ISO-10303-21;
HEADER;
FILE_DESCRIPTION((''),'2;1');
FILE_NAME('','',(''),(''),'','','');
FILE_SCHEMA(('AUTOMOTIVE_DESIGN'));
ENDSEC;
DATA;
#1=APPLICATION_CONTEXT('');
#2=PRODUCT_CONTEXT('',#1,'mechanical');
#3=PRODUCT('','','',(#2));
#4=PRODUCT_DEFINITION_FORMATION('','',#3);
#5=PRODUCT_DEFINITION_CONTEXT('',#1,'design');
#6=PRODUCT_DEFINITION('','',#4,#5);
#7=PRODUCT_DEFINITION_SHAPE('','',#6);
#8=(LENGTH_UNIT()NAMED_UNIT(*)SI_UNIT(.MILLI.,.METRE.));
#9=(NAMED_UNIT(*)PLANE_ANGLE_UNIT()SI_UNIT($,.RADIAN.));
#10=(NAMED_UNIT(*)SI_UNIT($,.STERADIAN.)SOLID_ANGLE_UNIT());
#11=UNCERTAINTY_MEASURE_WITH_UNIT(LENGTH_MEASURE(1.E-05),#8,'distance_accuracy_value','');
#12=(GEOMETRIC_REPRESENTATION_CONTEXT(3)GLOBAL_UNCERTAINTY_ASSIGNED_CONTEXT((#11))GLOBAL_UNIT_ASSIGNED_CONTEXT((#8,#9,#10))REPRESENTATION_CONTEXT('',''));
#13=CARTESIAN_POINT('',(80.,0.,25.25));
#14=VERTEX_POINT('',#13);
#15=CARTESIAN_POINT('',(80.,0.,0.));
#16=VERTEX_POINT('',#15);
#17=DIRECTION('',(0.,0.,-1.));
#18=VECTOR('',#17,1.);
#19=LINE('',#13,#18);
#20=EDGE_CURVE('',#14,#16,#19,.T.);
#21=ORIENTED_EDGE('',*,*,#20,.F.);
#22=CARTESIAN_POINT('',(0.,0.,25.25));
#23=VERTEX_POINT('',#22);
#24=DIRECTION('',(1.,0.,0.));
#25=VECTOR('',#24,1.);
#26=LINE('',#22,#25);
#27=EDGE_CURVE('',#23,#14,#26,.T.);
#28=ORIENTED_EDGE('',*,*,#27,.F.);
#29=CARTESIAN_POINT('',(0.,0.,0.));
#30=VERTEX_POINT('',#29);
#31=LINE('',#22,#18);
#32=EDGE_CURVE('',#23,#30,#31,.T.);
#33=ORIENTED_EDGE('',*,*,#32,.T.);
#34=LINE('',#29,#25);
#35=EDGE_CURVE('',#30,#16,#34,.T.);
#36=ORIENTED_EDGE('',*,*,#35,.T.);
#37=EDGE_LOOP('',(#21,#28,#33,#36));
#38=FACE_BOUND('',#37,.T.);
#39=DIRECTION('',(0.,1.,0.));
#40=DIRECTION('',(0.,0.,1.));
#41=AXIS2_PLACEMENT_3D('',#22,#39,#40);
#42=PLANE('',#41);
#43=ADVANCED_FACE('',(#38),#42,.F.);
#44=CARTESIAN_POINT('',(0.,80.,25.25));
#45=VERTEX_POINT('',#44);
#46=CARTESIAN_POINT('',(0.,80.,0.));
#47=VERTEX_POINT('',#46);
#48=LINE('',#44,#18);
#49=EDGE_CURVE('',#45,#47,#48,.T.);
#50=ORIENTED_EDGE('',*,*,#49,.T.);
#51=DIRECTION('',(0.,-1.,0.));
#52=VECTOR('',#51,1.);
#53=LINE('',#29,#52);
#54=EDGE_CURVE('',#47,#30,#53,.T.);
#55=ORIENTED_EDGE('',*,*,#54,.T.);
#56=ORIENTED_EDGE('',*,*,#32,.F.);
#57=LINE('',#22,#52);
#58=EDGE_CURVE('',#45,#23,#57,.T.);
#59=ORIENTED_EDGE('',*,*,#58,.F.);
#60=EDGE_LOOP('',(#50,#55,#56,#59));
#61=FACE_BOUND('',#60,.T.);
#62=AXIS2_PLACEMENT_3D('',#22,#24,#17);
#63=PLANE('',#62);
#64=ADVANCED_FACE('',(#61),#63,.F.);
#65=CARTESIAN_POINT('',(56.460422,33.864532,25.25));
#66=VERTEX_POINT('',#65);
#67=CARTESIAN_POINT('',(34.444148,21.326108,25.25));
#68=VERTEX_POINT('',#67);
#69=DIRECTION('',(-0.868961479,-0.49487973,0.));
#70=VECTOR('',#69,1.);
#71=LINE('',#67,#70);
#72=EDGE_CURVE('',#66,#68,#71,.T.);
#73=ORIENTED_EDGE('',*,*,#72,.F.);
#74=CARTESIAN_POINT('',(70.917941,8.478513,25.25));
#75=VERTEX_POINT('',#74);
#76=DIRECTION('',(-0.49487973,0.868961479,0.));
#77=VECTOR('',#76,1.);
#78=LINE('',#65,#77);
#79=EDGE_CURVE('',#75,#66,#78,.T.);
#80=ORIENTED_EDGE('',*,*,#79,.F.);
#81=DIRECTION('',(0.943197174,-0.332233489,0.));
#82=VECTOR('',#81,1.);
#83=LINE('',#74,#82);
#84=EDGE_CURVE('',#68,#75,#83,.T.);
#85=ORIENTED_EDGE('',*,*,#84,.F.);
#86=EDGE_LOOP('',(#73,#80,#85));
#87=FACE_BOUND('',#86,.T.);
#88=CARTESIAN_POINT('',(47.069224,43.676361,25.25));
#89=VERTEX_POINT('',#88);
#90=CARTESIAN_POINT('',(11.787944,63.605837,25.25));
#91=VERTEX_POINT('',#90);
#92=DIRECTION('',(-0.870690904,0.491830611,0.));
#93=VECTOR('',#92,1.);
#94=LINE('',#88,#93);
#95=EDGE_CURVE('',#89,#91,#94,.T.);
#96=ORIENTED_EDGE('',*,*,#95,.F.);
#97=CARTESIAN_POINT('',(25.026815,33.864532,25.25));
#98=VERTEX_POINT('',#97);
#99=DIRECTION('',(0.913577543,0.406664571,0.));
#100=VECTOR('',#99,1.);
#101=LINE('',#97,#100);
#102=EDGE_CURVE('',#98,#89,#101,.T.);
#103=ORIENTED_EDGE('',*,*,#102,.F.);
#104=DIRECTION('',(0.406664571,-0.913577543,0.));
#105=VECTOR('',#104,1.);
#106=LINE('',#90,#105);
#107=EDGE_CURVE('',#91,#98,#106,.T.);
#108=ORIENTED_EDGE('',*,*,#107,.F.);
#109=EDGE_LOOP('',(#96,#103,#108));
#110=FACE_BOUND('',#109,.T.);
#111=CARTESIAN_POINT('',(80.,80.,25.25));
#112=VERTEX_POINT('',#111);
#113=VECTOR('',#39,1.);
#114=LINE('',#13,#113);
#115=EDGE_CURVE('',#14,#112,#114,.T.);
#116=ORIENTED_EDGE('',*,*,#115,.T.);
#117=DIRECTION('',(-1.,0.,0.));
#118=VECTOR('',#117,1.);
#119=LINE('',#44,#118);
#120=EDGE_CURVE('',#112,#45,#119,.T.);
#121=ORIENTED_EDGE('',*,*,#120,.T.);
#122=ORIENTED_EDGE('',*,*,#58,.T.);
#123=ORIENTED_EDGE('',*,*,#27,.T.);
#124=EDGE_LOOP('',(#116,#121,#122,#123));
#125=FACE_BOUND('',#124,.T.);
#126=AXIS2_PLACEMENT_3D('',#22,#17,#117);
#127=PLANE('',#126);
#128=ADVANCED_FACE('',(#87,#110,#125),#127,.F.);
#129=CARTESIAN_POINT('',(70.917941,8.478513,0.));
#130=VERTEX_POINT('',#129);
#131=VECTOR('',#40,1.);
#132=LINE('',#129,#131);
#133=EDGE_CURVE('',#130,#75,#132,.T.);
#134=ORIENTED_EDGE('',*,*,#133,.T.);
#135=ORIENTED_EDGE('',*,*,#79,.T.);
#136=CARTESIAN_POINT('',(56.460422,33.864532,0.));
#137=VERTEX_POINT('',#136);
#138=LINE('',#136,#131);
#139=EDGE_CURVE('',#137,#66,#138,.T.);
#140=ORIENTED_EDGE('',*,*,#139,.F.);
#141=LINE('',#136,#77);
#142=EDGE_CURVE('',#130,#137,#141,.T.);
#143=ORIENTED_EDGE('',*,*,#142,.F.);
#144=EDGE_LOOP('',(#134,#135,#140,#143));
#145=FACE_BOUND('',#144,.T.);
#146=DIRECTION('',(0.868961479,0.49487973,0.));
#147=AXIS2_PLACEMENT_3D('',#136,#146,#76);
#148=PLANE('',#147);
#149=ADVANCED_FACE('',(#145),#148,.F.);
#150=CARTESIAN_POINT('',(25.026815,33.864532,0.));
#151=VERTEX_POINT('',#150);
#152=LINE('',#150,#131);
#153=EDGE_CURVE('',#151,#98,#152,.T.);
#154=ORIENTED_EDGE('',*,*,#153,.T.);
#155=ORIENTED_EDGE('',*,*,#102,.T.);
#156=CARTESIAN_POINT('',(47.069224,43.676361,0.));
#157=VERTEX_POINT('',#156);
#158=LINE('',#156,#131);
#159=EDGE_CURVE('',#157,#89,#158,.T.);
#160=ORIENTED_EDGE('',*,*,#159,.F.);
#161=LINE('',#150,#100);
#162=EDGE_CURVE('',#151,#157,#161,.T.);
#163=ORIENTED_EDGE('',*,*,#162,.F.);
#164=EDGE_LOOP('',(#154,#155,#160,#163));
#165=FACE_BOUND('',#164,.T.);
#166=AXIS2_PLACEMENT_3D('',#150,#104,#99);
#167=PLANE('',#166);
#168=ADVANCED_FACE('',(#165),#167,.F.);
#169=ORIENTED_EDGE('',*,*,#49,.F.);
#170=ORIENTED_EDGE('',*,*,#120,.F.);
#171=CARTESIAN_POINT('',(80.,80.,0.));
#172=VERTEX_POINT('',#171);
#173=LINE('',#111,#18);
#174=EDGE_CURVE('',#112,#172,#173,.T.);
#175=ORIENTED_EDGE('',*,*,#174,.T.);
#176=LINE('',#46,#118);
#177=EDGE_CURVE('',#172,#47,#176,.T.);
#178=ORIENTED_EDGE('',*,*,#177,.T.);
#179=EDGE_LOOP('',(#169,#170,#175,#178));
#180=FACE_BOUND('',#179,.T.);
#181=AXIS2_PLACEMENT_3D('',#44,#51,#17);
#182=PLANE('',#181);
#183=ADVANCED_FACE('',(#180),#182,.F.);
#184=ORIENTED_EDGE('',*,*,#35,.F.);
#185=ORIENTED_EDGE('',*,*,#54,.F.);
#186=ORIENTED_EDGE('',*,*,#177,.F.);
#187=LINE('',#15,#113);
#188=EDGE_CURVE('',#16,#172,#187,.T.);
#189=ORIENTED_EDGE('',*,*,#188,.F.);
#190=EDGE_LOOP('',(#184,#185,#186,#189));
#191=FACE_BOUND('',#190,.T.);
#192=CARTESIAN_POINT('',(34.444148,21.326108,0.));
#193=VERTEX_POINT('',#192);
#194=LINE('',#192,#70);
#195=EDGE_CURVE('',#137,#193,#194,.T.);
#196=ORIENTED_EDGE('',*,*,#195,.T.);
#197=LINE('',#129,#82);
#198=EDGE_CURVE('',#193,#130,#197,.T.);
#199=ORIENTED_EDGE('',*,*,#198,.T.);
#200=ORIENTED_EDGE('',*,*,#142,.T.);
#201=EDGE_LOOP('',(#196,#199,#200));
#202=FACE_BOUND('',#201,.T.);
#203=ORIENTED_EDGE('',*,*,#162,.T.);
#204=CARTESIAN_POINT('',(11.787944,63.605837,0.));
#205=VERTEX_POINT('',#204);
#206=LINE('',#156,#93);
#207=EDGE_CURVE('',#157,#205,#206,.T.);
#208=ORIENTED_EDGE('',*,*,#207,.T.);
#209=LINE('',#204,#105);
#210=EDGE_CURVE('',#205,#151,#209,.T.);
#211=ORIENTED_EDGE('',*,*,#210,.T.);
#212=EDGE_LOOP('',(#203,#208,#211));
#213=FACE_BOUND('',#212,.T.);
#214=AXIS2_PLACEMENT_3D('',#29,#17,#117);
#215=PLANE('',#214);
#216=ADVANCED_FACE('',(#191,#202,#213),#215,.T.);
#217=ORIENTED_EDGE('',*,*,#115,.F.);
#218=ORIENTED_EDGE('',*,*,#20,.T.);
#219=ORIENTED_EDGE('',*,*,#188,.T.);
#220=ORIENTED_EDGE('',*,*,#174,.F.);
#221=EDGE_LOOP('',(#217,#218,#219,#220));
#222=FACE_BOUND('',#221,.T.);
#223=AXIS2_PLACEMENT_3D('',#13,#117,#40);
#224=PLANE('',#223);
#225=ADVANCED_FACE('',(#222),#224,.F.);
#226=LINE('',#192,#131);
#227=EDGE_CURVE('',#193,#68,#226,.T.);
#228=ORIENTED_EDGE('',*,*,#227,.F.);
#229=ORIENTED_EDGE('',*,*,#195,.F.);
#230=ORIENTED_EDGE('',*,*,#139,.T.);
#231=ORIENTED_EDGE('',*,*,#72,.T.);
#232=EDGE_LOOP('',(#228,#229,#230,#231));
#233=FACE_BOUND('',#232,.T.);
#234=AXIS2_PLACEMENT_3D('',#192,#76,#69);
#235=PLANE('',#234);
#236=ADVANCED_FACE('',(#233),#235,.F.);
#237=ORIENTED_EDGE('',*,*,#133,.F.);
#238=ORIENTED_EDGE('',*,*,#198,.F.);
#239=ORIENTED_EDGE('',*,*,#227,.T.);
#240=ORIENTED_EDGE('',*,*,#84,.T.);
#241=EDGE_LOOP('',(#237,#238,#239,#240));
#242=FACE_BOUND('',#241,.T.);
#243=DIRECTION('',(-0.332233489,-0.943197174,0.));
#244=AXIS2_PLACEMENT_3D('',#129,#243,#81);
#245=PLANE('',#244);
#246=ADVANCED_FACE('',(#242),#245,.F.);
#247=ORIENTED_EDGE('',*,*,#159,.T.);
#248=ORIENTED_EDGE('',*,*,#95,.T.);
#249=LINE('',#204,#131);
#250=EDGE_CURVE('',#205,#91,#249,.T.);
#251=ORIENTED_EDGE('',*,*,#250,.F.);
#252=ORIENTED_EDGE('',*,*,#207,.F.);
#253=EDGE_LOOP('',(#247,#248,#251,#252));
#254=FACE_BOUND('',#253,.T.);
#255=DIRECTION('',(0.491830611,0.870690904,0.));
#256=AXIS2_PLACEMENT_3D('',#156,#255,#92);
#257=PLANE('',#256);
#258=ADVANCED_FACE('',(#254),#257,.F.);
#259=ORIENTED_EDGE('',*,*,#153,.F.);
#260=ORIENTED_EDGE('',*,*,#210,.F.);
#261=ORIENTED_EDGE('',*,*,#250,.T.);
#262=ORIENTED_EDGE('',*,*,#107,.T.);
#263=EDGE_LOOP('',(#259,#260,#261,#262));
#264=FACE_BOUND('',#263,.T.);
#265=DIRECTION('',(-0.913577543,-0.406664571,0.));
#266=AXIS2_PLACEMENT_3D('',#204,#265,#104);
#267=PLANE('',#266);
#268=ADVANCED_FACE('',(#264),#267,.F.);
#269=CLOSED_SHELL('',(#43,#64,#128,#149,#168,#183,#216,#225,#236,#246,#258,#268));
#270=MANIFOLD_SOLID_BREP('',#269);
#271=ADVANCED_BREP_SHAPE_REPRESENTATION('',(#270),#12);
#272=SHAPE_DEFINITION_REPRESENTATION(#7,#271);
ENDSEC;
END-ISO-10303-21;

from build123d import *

# Parameters (mm, degrees)
ESQUISSE1_W             = 80
ESQUISSE1_H             = 80
BOSS_EXTRU_1_DEPTH      = 25.25
ENL_V_MAT_EXTRU_1_DEPTH = 25.25


with BuildPart() as part:
    # Esquisse1 → Boss.-Extru.1 (new body)
    with BuildSketch(Plane.XY):
        with Locations((40, 40)):
            Rectangle(ESQUISSE1_W, ESQUISSE1_H)
    extrude(amount=BOSS_EXTRU_1_DEPTH)

    # Esquisse2 → Enlèv. mat.-Extru.1 (cut)
    with BuildSketch(Plane.XY.offset(25.25)):
        Polygon((11.787944312, 63.60583742), (25.026815154, 33.864532302), (47.069224154, 43.676361494), align=None)
        Polygon((34.444148003, 21.326107713), (56.460422486, 33.864532302), (70.917940935, 8.478512531), align=None)
    extrude(amount=-ENL_V_MAT_EXTRU_1_DEPTH, mode=Mode.SUBTRACT)


solid = part.part
